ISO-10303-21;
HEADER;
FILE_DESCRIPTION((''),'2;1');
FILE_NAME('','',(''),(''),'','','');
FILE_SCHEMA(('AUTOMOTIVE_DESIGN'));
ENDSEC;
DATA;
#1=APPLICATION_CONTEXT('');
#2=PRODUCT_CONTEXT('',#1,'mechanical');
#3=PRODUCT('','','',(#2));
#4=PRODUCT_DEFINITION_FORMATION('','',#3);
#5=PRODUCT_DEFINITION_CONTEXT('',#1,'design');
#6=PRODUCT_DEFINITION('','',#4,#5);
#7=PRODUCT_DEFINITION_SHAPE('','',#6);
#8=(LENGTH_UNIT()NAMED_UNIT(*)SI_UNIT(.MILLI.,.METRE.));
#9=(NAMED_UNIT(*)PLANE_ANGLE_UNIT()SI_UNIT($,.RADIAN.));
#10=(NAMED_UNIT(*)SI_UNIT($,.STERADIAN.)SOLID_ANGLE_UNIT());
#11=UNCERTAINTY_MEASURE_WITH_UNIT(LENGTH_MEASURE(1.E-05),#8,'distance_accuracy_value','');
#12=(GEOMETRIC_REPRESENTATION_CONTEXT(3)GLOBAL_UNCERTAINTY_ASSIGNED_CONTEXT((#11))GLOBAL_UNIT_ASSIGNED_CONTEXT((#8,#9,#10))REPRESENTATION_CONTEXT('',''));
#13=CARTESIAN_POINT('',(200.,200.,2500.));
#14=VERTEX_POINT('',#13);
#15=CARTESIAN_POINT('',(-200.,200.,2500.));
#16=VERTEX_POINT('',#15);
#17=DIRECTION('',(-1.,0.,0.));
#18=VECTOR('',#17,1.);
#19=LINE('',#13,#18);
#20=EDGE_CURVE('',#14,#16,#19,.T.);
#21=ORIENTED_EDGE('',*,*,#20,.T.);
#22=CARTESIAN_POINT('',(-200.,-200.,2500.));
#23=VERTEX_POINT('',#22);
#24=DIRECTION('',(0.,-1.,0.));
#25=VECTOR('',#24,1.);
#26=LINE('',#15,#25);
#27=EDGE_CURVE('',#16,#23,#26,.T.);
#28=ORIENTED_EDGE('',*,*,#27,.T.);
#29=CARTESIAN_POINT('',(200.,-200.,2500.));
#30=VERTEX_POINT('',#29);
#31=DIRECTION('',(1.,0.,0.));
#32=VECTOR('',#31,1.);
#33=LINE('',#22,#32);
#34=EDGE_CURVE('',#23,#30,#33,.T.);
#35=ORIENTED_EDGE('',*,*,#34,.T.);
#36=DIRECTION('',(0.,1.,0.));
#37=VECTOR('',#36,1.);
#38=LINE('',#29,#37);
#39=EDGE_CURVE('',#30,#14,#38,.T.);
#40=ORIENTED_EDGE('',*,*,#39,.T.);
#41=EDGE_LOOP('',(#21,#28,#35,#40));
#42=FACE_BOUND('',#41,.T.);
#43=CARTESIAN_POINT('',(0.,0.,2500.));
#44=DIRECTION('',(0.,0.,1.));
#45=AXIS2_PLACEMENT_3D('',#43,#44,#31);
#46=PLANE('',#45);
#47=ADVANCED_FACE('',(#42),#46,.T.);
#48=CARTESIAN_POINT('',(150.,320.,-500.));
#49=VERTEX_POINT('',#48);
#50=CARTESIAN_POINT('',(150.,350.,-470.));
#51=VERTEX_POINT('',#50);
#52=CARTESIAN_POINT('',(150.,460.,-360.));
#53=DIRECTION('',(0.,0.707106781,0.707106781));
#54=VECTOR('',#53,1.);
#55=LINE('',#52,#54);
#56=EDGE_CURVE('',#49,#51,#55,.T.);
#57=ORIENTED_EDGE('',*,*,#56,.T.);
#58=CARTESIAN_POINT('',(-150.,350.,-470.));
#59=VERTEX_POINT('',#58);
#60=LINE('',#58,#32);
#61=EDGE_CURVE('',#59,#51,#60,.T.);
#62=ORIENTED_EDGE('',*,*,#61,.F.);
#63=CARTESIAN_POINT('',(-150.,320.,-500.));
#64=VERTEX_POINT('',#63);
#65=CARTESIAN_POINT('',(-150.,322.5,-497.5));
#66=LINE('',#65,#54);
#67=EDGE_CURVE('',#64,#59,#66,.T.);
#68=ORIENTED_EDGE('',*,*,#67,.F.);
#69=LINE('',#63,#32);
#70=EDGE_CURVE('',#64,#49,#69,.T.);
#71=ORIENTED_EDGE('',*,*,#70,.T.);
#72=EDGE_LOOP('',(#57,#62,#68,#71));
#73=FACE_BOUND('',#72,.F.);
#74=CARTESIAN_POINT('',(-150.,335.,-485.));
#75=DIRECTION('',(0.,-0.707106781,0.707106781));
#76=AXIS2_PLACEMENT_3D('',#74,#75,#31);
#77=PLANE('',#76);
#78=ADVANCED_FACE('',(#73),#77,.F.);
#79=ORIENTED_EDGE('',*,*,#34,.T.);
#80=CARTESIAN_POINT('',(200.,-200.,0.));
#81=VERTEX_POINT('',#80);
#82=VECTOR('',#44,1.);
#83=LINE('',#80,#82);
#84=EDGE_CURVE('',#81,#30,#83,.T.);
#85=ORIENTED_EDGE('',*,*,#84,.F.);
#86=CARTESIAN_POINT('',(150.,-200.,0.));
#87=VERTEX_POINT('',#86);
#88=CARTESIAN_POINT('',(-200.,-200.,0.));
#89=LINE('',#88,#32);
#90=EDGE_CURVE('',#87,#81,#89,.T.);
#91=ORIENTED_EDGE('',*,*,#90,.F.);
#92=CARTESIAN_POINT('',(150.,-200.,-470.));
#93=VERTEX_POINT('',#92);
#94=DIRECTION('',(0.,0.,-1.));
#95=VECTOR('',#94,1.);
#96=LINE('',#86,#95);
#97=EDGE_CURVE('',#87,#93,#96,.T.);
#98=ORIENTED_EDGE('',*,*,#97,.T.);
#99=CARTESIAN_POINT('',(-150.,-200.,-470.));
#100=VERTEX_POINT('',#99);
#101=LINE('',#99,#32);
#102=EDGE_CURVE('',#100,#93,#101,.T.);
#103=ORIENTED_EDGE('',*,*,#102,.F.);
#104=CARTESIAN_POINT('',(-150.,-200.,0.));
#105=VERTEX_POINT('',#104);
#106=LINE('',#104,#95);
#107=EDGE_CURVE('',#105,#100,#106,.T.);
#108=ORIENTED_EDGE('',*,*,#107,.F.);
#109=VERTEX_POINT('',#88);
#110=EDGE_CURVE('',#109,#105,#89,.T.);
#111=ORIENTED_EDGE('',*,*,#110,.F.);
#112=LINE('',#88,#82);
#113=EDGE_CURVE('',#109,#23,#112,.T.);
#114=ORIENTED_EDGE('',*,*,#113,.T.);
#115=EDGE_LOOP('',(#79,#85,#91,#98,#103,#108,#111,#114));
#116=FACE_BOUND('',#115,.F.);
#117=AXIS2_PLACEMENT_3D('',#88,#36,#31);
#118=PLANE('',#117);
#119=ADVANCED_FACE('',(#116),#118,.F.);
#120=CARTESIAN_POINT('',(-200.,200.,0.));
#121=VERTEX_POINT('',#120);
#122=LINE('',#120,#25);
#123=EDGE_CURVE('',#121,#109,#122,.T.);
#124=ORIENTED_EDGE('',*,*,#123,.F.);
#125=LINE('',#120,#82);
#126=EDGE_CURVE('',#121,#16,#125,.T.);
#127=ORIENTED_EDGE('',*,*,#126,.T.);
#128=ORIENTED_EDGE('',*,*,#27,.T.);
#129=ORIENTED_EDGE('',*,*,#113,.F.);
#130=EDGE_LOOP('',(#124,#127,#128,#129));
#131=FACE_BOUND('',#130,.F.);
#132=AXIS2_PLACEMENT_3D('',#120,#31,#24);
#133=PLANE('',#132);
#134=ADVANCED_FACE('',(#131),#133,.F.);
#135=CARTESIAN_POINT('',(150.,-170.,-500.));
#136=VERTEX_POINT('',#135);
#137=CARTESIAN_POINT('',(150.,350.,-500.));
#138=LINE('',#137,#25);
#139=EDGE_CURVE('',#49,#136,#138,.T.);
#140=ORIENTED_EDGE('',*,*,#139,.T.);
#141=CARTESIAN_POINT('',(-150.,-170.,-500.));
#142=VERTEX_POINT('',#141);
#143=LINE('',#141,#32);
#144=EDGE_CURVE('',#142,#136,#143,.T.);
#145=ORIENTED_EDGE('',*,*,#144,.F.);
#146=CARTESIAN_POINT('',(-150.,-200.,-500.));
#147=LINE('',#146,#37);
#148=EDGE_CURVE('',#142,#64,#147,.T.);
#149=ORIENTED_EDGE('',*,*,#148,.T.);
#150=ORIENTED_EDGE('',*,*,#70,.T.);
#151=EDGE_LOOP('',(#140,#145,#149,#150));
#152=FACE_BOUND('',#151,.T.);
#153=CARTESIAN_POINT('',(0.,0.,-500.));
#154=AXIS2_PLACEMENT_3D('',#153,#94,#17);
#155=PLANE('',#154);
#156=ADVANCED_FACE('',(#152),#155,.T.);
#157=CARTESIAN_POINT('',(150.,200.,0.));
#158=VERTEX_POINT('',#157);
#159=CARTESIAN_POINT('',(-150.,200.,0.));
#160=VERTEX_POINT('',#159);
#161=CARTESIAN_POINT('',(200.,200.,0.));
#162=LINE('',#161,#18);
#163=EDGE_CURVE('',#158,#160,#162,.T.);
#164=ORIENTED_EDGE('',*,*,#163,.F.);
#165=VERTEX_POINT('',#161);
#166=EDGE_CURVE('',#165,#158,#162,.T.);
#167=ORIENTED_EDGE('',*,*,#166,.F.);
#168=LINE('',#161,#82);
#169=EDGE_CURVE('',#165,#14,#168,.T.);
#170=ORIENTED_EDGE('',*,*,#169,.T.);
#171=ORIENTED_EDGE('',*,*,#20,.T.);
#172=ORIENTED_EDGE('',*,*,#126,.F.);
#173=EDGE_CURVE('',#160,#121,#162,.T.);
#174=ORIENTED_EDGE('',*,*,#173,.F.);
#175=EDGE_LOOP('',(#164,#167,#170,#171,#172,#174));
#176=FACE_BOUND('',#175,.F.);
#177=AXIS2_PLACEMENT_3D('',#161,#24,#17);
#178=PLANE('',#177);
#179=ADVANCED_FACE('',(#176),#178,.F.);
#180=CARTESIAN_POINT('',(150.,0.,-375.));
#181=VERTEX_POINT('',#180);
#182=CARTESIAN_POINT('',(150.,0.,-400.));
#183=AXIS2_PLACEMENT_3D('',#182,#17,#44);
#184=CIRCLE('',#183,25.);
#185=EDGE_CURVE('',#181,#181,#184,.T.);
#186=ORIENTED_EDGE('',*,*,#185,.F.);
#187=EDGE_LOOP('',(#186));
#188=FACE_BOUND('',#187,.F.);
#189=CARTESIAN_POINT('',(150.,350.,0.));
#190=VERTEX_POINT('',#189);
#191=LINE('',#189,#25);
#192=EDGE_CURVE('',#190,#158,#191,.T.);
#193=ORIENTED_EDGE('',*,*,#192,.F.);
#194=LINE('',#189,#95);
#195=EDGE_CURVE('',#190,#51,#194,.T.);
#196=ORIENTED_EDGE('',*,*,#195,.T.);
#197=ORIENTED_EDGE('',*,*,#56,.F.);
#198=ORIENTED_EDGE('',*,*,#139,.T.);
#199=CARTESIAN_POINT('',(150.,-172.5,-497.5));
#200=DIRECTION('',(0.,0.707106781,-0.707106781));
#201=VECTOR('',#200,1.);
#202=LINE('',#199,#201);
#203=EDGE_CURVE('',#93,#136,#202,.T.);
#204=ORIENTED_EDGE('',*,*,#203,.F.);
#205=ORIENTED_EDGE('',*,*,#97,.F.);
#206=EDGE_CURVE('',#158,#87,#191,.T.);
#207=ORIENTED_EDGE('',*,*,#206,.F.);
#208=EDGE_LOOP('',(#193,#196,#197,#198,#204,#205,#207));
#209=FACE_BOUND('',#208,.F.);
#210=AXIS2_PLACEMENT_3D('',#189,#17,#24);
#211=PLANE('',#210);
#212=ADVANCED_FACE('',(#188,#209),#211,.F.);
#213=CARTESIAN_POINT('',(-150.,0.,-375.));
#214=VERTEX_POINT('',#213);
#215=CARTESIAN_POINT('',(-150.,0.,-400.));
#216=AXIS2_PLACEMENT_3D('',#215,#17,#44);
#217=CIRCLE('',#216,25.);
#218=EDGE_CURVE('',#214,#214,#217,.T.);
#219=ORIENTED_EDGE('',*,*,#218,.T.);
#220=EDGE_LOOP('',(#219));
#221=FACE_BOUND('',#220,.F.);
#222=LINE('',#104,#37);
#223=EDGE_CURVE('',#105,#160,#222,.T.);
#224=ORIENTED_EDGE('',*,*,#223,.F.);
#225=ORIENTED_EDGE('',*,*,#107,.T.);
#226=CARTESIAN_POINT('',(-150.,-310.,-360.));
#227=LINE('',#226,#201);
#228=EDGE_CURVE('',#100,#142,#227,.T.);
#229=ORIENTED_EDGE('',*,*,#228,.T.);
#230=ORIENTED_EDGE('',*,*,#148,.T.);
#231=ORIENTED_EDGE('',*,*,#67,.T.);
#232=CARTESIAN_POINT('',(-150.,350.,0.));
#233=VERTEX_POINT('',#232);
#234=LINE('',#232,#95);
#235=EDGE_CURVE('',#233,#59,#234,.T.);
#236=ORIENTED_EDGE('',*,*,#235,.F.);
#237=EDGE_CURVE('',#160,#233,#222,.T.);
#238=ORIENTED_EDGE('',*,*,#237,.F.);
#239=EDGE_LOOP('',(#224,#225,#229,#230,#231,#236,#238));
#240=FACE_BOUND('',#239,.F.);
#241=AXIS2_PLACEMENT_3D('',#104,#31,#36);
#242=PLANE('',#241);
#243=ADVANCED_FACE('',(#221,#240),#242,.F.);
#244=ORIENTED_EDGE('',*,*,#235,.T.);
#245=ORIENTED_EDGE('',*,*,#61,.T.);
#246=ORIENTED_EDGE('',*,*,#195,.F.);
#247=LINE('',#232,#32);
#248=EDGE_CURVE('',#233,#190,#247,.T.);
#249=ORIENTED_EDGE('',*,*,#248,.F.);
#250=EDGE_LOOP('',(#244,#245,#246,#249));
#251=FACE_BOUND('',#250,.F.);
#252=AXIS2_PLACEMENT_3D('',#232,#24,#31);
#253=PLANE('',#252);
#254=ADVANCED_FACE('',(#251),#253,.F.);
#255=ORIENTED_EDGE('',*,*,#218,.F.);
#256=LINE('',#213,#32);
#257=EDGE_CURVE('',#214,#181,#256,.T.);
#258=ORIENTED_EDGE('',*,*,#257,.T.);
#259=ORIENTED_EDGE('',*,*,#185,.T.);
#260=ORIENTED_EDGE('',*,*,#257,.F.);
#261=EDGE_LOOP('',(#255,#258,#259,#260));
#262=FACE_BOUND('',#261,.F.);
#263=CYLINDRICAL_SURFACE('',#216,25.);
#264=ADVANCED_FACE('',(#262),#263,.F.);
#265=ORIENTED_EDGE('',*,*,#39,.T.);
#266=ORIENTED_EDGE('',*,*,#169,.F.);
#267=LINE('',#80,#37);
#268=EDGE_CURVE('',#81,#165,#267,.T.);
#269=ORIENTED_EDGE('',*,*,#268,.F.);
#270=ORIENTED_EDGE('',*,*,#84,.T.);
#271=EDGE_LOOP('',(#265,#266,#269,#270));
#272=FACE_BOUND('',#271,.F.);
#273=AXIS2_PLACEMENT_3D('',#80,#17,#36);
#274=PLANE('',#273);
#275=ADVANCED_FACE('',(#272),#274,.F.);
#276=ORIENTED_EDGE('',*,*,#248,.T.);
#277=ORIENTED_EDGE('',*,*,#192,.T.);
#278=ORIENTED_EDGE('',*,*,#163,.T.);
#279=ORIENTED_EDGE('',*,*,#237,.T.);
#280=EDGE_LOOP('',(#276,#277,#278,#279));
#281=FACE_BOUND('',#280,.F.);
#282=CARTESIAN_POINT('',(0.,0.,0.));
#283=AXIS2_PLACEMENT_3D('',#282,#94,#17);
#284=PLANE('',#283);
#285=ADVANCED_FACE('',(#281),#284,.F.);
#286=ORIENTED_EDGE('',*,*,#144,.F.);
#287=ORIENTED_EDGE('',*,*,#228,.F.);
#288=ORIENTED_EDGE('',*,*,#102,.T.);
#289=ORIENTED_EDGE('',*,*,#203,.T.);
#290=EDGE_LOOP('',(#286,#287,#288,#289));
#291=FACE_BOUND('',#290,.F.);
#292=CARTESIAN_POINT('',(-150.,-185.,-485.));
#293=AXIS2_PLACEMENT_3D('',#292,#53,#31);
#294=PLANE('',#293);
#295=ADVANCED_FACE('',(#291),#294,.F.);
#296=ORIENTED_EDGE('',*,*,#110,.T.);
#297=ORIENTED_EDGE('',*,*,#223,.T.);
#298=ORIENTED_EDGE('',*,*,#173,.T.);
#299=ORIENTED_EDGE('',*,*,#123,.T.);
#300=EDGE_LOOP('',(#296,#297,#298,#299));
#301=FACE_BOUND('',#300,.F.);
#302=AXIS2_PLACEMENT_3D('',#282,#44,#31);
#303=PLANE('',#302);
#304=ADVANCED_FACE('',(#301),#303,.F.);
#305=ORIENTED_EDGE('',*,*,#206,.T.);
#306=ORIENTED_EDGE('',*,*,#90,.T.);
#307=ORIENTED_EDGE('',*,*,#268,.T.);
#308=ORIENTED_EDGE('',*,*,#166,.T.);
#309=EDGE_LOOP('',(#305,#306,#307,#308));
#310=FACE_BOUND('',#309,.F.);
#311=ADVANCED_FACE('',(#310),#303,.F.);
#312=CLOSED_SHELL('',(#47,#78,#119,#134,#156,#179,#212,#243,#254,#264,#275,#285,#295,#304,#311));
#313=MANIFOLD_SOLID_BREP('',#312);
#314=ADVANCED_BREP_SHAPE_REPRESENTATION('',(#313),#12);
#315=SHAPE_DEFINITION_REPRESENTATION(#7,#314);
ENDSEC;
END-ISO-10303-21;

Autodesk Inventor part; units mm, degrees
ref_plane "YZ Plane" through (0, 0, 0) normal (1, 0, 0) x (0, 1, 0)
ref_plane "XZ Plane" through (0, 0, 0) normal (0, 1, 0) x (-1, 0, 0)
ref_plane "XY Plane" through (0, 0, 0) normal (0, 0, 1) x (1, 0, 0)
sketch "Náčrt1" plane through (0, 0, 0) normal (0, 0, 1) x (1, 0, 0)
  line L0 (-200, -200) -> (200, -200)
  line L1 (200, -200) -> (200, 200)
  line L2 (200, 200) -> (-200, 200)
  line L3 (-200, 200) -> (-200, -200)
  line L4 (-200, -200) -> (200, 200) construction
  line L5 (200, -200) -> (-200, 200) construction
  point P0 (0, 0)
  dimension "d0" = 400
  dimension "d1" = 400
extrude "Vysunutí1" add sketch "Náčrt1" along normal blind 2500
sketch "Náčrt2" plane through (0, 0, 0) normal (0, 0, -1) x (-1, 0, 0)
  line L0 (200, -200) -> (-200, -200) projected
  line L1 (150, 350) -> (-150, 350)
  line L2 (-150, 350) -> (-150, -200)
  line L3 (-150, -200) -> (150, -200)
  line L4 (150, -200) -> (150, 350)
  line L5 (150, 350) -> (-150, -200) construction
  line L6 (-150, 350) -> (150, -200) construction
  point P0 (0, 75)
  point P1 (0, 0)
  dimension "d15" = 300
  dimension "d16" = 550
extrude "Vysunutí2" add sketch "Náčrt2" along normal blind 500
sketch "Náčrt4" plane through (-150, 200, 0) normal (-1, 0, 0) x (0, 0, 1)
  circle A0 centre (-400, -200) radius 25
  line L0 (0, 0) -> (0, -400) projected
  line L1 (0, -200) -> (-500.4879, -200) construction
  line L2 (-500, -400) -> (-500, 150) projected
  dimension "d17" = 50
  dimension "d18" = 100
extrude "Vysunutí4" cut sketch "Náčrt4" against normal blind 500
chamfer "Zkosení2" distance 30 angle 45 2 edges at (0, -200, -500) (0, 350, -500)
properties part number "B4-Z"
